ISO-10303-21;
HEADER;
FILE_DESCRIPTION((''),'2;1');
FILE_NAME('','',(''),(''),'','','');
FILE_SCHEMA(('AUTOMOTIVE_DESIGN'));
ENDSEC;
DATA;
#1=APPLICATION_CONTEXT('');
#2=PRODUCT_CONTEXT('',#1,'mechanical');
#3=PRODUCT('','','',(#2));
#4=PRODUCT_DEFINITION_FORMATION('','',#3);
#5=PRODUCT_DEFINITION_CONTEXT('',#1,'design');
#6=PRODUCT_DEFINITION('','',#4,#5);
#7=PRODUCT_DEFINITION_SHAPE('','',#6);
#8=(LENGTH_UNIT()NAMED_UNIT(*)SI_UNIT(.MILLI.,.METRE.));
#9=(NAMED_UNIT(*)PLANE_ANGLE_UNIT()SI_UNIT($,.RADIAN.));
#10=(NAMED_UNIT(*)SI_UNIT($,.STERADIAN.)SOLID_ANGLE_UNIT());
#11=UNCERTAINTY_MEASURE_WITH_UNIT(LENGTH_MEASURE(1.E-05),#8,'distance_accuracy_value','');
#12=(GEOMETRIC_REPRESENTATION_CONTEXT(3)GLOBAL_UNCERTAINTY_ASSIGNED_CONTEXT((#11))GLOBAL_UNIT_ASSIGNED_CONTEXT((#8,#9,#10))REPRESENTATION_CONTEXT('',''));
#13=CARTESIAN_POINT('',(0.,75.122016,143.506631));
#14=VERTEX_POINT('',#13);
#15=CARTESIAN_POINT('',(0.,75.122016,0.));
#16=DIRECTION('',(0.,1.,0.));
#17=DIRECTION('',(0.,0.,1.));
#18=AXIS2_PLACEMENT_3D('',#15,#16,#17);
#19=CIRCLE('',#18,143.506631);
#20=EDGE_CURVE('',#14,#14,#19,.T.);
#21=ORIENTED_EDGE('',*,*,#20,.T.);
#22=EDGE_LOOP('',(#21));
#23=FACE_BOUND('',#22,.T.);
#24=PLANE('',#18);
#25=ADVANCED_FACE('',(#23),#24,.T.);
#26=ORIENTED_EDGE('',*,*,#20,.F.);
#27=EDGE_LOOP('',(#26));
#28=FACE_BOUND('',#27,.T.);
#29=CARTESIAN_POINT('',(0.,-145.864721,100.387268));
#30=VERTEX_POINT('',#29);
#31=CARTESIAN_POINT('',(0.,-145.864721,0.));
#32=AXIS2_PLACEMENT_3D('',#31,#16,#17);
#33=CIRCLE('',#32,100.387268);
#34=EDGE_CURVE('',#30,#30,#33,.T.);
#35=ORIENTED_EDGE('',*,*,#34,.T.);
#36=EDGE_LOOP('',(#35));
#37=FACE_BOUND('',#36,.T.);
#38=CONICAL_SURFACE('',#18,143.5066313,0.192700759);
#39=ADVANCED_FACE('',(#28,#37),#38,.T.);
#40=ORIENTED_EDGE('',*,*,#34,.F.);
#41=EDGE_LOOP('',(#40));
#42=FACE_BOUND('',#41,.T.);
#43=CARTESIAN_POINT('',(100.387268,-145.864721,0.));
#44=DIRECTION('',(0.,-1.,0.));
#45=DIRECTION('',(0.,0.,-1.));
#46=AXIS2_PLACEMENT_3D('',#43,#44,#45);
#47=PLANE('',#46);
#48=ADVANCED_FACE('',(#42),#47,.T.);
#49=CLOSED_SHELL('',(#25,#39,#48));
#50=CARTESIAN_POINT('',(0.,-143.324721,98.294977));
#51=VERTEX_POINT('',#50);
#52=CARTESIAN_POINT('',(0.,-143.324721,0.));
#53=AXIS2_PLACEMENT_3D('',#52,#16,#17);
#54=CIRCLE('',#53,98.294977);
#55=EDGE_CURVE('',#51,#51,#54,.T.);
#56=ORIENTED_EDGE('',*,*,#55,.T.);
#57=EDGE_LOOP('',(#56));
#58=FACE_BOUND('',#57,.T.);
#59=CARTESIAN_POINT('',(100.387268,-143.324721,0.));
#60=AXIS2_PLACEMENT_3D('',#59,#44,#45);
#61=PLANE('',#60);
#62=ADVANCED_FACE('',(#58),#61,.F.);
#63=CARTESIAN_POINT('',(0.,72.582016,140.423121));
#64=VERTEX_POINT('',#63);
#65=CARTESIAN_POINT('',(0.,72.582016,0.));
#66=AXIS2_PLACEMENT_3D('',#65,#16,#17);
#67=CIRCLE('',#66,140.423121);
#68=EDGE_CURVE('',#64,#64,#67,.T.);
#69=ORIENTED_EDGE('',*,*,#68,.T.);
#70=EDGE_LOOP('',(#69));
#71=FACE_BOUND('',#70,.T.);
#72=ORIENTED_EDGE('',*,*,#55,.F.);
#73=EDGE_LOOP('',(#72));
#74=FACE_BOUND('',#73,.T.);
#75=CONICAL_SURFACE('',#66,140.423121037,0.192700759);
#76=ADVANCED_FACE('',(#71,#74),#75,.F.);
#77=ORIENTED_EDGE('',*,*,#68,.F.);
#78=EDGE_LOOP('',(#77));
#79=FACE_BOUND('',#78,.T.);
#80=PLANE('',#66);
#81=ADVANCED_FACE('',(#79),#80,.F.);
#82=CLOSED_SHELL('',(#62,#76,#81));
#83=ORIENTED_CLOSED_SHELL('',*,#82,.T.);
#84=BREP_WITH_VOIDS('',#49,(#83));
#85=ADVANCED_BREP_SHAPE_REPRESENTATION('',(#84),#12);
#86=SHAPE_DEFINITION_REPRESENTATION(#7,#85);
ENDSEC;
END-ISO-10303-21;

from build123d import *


with BuildPart() as part:
    # Sketch1 → Revolve-Thin1 (revolve)
    with BuildSketch(Plane.XY, mode=Mode.PRIVATE) as revolve_thin1_sk:
        Polygon((0, 75.122015915), (143.5066313, 75.122015915), (100.387267905, -145.864721485), (0, -145.864721485), (0, -143.324721485), (98.294977154, -143.324721485), (140.423121037, 72.582015915), (0, 72.582015915), align=None)
    revolve(revolve_thin1_sk.sketch.rotate(Axis((0, 93.986737401, 0), (0, -1, 0)), 90), axis=Axis((0, 93.986737401, 0), (0, -1, 0)))


solid = part.part
